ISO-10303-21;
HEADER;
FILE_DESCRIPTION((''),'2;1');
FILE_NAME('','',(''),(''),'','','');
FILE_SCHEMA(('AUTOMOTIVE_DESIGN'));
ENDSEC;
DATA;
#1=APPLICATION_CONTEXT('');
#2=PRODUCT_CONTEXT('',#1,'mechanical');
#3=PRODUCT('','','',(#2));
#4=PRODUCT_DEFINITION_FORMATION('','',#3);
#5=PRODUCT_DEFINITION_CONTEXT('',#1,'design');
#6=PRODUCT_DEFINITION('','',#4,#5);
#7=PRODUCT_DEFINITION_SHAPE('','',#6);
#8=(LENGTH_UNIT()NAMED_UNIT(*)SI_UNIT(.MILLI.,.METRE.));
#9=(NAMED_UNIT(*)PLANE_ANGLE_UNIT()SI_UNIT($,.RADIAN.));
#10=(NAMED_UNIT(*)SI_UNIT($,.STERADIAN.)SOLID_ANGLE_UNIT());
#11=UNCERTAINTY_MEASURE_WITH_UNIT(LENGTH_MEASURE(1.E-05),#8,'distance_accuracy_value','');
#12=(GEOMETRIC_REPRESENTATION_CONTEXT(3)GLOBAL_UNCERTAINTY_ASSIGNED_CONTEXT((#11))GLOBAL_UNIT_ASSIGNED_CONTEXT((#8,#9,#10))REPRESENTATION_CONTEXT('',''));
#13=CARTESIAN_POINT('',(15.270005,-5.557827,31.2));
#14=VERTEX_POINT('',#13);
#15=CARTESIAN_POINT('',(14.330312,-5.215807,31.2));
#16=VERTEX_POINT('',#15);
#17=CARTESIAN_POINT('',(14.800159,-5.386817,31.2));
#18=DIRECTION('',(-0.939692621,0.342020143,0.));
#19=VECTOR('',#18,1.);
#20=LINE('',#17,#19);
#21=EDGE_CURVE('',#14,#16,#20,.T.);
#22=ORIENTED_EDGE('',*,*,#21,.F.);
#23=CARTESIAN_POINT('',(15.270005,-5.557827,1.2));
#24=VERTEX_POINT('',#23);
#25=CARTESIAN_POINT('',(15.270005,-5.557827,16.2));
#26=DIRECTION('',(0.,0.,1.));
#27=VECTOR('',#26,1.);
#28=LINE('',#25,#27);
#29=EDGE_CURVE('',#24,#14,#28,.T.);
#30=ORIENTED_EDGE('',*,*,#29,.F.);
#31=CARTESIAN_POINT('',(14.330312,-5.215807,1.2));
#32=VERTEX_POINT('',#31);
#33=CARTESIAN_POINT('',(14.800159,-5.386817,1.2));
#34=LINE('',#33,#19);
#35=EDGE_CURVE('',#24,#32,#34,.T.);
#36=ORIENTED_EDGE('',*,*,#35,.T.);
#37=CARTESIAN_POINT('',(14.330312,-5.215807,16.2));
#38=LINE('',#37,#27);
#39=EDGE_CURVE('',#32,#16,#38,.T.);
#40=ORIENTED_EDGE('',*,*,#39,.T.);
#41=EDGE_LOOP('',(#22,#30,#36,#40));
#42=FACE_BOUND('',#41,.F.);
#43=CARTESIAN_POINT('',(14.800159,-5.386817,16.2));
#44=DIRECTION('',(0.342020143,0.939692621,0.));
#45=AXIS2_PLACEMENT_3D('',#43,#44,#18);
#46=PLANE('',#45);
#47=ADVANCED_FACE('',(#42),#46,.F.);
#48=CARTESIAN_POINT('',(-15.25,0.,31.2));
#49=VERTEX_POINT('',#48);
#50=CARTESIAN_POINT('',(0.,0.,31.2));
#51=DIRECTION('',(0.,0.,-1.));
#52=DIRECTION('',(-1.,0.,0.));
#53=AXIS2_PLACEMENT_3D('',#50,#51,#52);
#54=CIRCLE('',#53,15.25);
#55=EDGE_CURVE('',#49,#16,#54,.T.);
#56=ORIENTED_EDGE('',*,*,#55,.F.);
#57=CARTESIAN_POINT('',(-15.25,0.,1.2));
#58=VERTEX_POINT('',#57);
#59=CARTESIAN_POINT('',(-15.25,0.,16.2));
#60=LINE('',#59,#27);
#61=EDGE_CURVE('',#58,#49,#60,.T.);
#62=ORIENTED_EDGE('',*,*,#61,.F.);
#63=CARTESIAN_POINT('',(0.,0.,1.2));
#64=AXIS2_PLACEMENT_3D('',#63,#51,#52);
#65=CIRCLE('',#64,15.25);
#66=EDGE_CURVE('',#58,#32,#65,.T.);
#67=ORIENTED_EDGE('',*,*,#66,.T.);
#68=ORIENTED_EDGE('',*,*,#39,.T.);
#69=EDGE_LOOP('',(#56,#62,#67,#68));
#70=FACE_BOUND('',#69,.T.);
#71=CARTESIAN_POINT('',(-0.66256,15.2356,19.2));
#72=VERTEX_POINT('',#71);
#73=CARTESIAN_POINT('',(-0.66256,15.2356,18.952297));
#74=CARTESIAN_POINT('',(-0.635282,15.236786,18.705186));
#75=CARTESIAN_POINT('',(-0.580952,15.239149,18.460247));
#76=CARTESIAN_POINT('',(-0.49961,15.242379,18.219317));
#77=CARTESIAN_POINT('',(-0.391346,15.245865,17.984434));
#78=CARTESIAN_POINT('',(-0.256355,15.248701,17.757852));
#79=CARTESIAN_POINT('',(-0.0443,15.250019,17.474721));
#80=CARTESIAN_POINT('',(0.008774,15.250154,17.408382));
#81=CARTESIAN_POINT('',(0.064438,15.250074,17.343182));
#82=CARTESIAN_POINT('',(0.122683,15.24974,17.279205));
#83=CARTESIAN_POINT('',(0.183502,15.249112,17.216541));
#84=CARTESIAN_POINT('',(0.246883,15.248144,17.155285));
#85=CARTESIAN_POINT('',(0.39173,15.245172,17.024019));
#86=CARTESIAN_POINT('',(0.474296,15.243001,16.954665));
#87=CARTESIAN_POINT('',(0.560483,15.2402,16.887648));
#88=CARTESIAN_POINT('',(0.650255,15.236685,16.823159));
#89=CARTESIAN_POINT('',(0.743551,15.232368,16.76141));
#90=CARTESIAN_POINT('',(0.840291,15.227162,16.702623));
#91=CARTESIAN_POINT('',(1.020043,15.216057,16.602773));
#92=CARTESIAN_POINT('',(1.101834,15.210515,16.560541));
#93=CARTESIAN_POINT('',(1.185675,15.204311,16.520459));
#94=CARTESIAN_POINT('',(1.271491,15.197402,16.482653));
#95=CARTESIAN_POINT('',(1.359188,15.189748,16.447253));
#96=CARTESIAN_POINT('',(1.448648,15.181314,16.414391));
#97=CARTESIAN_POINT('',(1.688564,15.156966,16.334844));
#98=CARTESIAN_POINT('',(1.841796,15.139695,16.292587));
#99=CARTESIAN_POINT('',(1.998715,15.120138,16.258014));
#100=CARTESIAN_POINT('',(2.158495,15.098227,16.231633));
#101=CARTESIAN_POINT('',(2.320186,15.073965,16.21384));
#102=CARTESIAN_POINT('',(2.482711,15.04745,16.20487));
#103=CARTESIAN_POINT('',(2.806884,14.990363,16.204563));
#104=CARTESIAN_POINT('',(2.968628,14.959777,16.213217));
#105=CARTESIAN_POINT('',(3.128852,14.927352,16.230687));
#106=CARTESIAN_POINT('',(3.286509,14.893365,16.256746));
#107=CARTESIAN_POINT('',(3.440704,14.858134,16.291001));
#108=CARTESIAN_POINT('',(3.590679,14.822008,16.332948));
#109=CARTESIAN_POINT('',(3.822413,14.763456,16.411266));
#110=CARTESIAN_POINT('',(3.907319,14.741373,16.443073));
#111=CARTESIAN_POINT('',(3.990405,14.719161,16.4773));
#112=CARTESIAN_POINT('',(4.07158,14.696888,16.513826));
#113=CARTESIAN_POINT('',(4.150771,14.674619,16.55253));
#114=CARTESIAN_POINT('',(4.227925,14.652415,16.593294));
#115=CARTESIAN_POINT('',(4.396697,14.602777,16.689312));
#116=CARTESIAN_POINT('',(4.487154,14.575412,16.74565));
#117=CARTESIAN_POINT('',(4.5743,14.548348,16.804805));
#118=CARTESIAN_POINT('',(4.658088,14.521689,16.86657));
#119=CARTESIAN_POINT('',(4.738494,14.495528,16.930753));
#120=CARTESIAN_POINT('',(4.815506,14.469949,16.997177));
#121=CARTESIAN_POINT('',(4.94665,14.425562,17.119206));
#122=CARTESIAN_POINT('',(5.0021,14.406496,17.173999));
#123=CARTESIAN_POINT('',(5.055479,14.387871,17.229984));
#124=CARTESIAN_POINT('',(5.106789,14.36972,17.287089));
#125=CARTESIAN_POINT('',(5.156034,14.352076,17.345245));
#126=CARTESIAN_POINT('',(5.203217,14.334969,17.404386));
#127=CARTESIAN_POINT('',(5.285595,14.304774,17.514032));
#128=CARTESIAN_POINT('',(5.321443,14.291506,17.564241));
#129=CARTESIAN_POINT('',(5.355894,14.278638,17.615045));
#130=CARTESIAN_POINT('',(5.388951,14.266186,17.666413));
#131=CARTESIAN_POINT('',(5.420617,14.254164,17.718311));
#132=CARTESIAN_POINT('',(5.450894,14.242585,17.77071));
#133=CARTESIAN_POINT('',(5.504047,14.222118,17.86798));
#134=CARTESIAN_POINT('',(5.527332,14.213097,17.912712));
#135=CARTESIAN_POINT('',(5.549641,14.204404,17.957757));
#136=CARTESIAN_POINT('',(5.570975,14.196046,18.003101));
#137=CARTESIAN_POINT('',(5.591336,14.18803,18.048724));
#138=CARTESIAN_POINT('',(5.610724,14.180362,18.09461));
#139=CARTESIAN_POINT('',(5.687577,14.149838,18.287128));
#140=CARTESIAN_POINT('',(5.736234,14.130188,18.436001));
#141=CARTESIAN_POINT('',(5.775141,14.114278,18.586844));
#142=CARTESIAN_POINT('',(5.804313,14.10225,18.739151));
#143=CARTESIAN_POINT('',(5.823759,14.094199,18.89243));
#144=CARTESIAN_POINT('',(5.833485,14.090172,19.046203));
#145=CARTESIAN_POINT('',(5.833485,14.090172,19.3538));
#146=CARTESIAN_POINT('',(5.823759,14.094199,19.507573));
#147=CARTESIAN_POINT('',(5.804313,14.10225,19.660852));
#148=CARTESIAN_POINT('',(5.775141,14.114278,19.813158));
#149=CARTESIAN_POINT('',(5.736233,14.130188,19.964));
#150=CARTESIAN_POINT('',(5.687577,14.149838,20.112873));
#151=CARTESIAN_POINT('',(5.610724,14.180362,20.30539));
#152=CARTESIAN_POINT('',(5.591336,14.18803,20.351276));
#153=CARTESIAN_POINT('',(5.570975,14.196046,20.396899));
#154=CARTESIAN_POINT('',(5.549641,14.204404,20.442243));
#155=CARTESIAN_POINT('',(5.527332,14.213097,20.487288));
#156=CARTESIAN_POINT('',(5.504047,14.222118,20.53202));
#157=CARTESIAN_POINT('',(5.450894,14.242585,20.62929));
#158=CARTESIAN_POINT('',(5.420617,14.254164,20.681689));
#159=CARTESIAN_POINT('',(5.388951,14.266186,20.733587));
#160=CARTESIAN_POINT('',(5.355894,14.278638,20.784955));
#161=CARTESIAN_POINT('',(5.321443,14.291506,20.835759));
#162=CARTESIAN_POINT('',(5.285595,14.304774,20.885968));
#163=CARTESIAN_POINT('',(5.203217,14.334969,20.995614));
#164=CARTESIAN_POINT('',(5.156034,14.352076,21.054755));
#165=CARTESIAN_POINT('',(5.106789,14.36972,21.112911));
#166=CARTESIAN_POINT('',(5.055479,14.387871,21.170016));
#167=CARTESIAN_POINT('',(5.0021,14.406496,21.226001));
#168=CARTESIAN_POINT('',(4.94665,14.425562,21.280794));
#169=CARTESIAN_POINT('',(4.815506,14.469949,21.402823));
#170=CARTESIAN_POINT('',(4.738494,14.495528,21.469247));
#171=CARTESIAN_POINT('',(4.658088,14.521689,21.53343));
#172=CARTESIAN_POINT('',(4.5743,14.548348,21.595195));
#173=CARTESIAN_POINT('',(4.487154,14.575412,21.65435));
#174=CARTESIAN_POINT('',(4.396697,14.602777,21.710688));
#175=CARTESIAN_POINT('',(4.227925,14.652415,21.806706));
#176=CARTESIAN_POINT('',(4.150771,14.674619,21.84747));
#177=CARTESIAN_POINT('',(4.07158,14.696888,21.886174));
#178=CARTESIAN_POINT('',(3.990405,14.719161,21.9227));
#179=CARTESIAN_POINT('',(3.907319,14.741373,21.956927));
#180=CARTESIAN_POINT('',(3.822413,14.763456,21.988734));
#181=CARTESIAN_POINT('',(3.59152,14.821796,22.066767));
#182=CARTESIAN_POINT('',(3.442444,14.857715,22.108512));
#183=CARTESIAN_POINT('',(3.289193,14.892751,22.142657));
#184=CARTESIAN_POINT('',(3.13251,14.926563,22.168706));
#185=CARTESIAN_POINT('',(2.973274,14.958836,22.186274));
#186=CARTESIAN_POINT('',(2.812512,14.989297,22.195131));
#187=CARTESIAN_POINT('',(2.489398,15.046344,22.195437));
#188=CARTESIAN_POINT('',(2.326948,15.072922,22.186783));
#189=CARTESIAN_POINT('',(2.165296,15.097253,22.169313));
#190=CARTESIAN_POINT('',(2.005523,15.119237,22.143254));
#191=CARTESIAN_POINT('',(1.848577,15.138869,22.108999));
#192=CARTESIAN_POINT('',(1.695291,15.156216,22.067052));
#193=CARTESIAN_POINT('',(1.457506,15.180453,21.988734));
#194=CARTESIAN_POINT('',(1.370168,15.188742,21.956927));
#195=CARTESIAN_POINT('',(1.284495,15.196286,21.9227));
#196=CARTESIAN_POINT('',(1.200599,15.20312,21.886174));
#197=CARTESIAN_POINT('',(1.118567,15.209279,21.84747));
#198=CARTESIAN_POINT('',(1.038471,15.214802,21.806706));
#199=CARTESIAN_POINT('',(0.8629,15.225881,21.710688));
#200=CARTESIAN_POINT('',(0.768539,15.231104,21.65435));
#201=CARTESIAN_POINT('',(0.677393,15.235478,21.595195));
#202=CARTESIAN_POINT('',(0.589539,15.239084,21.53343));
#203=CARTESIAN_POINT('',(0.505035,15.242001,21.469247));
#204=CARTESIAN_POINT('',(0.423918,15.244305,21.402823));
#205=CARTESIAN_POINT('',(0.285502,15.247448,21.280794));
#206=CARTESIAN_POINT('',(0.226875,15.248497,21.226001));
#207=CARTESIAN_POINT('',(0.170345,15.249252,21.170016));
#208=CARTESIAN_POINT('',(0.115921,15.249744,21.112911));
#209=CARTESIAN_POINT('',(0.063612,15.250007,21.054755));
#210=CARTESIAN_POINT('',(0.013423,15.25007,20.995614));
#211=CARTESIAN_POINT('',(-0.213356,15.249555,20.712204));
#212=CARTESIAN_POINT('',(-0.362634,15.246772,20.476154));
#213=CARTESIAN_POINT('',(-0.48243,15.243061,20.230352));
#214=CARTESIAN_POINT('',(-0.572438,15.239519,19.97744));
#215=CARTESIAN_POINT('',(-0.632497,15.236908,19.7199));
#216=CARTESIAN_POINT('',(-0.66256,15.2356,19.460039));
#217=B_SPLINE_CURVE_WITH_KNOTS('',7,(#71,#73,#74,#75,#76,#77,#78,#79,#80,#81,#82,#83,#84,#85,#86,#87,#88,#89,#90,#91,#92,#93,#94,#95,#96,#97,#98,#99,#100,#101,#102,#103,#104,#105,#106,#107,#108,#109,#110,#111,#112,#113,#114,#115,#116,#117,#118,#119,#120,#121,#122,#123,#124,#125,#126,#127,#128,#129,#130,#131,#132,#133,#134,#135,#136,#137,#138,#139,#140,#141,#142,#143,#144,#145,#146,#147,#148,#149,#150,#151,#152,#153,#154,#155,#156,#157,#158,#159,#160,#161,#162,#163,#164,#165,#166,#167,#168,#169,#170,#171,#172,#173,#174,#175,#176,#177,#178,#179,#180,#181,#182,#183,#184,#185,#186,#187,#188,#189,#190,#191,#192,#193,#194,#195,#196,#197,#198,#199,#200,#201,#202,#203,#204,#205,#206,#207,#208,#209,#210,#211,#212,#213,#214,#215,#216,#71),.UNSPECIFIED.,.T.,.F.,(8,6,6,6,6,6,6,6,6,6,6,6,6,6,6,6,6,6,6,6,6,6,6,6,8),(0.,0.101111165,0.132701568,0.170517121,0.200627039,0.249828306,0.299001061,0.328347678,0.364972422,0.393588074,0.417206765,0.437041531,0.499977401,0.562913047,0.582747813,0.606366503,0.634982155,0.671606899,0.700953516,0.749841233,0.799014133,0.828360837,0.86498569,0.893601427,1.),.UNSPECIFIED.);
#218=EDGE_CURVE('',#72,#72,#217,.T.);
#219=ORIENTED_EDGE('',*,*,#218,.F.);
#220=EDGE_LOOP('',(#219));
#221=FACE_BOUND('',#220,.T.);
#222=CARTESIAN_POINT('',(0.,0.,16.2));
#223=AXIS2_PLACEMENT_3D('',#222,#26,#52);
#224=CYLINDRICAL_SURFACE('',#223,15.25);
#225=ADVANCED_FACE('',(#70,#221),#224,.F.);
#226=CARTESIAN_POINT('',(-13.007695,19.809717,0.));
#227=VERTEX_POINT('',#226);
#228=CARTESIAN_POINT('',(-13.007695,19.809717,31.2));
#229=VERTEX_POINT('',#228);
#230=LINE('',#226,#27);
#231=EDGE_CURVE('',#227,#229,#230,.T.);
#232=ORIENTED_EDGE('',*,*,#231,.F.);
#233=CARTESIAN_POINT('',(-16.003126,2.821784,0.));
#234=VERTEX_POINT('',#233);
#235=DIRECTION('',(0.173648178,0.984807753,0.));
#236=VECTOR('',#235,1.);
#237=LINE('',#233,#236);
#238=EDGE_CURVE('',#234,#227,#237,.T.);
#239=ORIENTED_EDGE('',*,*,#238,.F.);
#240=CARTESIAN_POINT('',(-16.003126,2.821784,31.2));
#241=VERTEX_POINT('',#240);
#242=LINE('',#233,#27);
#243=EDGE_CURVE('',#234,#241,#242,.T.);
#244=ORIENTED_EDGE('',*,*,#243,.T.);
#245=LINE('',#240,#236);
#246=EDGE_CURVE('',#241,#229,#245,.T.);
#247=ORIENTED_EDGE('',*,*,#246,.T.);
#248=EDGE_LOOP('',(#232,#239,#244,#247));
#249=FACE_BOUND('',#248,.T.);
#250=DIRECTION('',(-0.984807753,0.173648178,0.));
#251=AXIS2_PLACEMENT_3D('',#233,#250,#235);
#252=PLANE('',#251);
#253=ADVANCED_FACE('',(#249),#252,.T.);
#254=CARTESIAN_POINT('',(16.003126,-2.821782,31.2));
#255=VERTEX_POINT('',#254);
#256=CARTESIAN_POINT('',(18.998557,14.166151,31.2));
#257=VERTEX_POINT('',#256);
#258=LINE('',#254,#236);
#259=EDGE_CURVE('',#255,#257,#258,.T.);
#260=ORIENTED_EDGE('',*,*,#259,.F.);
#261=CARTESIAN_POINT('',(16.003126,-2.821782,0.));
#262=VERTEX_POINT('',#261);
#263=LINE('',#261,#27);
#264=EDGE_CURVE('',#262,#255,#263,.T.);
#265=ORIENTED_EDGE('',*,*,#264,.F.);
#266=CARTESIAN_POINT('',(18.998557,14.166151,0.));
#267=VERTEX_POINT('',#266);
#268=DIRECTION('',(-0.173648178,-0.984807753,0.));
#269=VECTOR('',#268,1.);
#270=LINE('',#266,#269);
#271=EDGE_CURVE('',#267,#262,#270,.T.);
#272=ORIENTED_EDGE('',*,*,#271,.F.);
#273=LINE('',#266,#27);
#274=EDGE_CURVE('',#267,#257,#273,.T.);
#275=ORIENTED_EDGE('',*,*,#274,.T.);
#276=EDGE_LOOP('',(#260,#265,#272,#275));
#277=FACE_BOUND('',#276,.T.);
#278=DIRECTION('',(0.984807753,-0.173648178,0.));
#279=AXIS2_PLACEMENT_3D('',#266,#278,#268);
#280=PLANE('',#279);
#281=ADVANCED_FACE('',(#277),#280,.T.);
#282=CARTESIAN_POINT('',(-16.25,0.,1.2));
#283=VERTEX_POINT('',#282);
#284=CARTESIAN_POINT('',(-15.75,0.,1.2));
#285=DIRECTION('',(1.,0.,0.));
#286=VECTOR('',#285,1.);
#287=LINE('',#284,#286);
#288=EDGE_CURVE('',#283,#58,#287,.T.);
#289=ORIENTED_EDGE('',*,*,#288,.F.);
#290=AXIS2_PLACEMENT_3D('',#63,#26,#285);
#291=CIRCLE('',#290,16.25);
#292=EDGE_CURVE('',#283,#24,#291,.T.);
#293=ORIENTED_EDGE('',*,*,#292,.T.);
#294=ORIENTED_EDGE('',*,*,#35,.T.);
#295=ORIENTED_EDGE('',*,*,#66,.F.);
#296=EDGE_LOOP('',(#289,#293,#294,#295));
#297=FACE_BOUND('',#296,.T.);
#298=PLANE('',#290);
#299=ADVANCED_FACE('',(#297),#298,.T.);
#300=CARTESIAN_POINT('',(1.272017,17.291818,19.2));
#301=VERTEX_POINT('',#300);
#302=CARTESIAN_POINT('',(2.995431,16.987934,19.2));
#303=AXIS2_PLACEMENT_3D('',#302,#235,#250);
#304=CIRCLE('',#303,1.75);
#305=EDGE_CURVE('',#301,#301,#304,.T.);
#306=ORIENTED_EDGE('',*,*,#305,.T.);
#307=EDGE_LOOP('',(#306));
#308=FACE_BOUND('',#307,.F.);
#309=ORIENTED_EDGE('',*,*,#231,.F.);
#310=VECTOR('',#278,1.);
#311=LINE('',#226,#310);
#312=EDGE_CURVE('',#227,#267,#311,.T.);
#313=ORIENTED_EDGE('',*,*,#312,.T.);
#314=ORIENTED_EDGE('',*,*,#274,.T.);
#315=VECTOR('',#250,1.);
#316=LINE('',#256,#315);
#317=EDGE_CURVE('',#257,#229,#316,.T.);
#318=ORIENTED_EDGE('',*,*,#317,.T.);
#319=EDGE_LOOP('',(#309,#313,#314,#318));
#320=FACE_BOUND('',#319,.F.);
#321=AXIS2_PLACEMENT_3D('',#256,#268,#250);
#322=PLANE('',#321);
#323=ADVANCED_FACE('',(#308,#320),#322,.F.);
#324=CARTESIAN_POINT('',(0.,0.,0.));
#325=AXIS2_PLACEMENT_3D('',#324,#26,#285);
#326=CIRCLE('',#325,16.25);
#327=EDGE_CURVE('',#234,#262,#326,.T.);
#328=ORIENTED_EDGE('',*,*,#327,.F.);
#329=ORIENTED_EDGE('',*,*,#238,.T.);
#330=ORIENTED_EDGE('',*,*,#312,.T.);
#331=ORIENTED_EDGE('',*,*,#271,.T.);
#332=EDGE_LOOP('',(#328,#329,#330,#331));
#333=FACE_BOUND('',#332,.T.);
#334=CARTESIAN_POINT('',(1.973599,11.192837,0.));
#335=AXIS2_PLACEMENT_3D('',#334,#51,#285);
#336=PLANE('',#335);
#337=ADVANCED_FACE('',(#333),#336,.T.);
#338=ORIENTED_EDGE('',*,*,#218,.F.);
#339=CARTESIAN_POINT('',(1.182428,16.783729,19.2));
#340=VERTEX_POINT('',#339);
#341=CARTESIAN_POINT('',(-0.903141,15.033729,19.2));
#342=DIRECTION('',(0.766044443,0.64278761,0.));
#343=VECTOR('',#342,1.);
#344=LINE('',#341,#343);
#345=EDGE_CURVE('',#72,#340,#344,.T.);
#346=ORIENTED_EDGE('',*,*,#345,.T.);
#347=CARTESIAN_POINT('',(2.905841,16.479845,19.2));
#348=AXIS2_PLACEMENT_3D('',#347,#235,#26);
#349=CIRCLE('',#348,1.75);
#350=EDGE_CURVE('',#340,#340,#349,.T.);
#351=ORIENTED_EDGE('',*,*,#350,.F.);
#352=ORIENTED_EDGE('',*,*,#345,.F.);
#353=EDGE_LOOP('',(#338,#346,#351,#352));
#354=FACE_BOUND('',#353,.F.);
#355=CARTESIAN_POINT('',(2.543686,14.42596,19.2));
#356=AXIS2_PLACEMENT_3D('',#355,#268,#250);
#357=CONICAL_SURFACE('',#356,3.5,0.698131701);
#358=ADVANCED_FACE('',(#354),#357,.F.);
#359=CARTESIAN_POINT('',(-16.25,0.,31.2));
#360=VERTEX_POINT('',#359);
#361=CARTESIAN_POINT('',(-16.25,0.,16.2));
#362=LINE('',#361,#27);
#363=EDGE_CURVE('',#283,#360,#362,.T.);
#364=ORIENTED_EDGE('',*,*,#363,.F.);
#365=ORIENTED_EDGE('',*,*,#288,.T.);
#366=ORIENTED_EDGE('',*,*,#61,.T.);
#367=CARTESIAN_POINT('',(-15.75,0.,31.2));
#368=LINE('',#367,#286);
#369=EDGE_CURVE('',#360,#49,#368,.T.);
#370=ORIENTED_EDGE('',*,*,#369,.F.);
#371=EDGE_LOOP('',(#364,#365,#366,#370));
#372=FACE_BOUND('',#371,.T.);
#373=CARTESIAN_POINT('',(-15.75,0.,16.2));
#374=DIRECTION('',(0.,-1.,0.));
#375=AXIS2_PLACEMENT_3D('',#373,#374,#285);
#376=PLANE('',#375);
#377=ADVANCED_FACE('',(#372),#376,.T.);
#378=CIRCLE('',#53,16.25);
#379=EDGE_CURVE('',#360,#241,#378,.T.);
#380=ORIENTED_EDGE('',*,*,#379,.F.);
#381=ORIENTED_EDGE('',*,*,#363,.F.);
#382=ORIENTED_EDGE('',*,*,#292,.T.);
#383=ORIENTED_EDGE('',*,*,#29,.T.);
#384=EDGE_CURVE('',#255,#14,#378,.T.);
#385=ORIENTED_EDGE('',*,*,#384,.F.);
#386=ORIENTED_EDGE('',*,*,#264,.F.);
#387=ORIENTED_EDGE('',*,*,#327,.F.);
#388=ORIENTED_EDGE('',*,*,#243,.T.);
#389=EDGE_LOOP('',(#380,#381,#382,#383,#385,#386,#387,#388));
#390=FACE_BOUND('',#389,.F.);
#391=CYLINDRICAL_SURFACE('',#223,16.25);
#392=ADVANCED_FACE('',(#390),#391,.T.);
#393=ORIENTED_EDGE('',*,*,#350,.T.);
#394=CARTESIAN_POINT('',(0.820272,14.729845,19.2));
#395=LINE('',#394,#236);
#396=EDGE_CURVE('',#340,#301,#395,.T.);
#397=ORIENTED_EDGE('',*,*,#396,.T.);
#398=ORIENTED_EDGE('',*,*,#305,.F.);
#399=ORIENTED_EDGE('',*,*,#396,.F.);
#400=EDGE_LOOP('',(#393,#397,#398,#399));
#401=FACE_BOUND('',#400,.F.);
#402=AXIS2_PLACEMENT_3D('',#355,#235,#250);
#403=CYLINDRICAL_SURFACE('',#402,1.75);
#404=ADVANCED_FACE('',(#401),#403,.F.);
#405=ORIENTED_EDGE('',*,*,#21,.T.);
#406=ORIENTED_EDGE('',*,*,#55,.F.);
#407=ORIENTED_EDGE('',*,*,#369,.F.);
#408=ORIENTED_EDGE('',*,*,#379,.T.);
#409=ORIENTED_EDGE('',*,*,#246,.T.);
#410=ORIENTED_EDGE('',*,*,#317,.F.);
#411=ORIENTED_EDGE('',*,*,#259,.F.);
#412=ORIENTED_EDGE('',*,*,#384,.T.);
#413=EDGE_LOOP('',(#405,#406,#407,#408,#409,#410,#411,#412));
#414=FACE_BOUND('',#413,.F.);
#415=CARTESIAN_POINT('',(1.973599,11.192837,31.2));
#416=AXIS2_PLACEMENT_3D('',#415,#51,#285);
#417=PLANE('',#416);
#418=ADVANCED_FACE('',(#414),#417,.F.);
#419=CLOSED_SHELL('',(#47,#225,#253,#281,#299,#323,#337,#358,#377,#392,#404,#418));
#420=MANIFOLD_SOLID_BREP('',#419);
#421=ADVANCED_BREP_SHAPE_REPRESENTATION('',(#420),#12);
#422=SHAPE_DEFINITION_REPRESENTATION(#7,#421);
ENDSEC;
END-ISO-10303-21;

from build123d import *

# Parameters (mm, degrees)
SKETCH_R         = 16.25
PAD_DEPTH        = 1.2
SKETCH001_W      = 1
SKETCH001_H      = 30
REVOLUTION_ANGLE = -200
PAD001_DEPTH     = 31.2
PAD002_DEPTH     = 10
HOLE_D           = 3.5
HOLE_DEPTH       = 5.85
HOLE_CSINK_D     = 7
HOLE_CSINK_ANGLE = 80
POCKET_DEPTH     = 10


with BuildPart() as part:
    # Sketch → Pad (new body)
    with BuildSketch(Plane.XY):
        Circle(SKETCH_R)
    extrude(amount=PAD_DEPTH)

    # Sketch001 → Revolution (revolve)
    with BuildSketch(Plane.XZ):
        with Locations((-15.75, 16.2)):
            Rectangle(SKETCH001_W, SKETCH001_H)
    revolve(axis=Axis((0, 0, 0), (0, 0, 1)), revolution_arc=REVOLUTION_ANGLE)

    # Sketch002 (on Face2 of Revolution) → Pad001 (join)
    with BuildSketch(Plane(origin=(0, 0, 0), x_dir=(1, 0, 0), z_dir=(0, 0, -1))):
        with BuildLine():
            Line((-16.0031258461, -2.8217836832), (-13.0076949217, -19.8097166265))
            Line((-13.0076949217, -19.8097166265), (18.9985570512, -14.1661508524))
            Line((18.9985570512, -14.1661508524), (16.0031261337, 2.8217820519))
            ThreePointArc((-16.0031258461, -2.8217836832), (2.8217828675, -16.0031259899), (16.0031261337, 2.8217820519))
        make_face()
    extrude(amount=-PAD001_DEPTH)

    # Sketch003 (on Face12 of Pad001) → Pad002 (join)
    with BuildSketch(Plane.XY.offset(31.2)):
        Polygon((-13.0076949217, 19.8097166265), (-13.4594399549, 17.2477432325), (18.546812018, 11.6041774583), (18.9985570512, 14.1661508524), align=None)
    extrude(amount=PAD002_DEPTH)

    # Hole
    with Locations(Plane(origin=(2.5436860315, 14.4259603454, 0), x_dir=(0.984807753, -0.1736481777, 0), z_dir=(-0.1736481777, -0.984807753, 0))):
        with Locations((0, 19.2)):
            CounterSinkHole(HOLE_D / 2, HOLE_CSINK_D / 2, depth=HOLE_DEPTH, counter_sink_angle=HOLE_CSINK_ANGLE)

    # Sketch005 (on Face22 of Hole) → Pocket (cut)
    with BuildSketch(Plane.XY.offset(41.2)):
        Polygon((-13.0076949217, 19.8097166265), (-13.4594399549, 17.2477432325), (18.546812018, 11.6041774583), (18.9985570512, 14.1661508524), align=None)
    extrude(amount=-POCKET_DEPTH, mode=Mode.SUBTRACT)


solid = part.part
